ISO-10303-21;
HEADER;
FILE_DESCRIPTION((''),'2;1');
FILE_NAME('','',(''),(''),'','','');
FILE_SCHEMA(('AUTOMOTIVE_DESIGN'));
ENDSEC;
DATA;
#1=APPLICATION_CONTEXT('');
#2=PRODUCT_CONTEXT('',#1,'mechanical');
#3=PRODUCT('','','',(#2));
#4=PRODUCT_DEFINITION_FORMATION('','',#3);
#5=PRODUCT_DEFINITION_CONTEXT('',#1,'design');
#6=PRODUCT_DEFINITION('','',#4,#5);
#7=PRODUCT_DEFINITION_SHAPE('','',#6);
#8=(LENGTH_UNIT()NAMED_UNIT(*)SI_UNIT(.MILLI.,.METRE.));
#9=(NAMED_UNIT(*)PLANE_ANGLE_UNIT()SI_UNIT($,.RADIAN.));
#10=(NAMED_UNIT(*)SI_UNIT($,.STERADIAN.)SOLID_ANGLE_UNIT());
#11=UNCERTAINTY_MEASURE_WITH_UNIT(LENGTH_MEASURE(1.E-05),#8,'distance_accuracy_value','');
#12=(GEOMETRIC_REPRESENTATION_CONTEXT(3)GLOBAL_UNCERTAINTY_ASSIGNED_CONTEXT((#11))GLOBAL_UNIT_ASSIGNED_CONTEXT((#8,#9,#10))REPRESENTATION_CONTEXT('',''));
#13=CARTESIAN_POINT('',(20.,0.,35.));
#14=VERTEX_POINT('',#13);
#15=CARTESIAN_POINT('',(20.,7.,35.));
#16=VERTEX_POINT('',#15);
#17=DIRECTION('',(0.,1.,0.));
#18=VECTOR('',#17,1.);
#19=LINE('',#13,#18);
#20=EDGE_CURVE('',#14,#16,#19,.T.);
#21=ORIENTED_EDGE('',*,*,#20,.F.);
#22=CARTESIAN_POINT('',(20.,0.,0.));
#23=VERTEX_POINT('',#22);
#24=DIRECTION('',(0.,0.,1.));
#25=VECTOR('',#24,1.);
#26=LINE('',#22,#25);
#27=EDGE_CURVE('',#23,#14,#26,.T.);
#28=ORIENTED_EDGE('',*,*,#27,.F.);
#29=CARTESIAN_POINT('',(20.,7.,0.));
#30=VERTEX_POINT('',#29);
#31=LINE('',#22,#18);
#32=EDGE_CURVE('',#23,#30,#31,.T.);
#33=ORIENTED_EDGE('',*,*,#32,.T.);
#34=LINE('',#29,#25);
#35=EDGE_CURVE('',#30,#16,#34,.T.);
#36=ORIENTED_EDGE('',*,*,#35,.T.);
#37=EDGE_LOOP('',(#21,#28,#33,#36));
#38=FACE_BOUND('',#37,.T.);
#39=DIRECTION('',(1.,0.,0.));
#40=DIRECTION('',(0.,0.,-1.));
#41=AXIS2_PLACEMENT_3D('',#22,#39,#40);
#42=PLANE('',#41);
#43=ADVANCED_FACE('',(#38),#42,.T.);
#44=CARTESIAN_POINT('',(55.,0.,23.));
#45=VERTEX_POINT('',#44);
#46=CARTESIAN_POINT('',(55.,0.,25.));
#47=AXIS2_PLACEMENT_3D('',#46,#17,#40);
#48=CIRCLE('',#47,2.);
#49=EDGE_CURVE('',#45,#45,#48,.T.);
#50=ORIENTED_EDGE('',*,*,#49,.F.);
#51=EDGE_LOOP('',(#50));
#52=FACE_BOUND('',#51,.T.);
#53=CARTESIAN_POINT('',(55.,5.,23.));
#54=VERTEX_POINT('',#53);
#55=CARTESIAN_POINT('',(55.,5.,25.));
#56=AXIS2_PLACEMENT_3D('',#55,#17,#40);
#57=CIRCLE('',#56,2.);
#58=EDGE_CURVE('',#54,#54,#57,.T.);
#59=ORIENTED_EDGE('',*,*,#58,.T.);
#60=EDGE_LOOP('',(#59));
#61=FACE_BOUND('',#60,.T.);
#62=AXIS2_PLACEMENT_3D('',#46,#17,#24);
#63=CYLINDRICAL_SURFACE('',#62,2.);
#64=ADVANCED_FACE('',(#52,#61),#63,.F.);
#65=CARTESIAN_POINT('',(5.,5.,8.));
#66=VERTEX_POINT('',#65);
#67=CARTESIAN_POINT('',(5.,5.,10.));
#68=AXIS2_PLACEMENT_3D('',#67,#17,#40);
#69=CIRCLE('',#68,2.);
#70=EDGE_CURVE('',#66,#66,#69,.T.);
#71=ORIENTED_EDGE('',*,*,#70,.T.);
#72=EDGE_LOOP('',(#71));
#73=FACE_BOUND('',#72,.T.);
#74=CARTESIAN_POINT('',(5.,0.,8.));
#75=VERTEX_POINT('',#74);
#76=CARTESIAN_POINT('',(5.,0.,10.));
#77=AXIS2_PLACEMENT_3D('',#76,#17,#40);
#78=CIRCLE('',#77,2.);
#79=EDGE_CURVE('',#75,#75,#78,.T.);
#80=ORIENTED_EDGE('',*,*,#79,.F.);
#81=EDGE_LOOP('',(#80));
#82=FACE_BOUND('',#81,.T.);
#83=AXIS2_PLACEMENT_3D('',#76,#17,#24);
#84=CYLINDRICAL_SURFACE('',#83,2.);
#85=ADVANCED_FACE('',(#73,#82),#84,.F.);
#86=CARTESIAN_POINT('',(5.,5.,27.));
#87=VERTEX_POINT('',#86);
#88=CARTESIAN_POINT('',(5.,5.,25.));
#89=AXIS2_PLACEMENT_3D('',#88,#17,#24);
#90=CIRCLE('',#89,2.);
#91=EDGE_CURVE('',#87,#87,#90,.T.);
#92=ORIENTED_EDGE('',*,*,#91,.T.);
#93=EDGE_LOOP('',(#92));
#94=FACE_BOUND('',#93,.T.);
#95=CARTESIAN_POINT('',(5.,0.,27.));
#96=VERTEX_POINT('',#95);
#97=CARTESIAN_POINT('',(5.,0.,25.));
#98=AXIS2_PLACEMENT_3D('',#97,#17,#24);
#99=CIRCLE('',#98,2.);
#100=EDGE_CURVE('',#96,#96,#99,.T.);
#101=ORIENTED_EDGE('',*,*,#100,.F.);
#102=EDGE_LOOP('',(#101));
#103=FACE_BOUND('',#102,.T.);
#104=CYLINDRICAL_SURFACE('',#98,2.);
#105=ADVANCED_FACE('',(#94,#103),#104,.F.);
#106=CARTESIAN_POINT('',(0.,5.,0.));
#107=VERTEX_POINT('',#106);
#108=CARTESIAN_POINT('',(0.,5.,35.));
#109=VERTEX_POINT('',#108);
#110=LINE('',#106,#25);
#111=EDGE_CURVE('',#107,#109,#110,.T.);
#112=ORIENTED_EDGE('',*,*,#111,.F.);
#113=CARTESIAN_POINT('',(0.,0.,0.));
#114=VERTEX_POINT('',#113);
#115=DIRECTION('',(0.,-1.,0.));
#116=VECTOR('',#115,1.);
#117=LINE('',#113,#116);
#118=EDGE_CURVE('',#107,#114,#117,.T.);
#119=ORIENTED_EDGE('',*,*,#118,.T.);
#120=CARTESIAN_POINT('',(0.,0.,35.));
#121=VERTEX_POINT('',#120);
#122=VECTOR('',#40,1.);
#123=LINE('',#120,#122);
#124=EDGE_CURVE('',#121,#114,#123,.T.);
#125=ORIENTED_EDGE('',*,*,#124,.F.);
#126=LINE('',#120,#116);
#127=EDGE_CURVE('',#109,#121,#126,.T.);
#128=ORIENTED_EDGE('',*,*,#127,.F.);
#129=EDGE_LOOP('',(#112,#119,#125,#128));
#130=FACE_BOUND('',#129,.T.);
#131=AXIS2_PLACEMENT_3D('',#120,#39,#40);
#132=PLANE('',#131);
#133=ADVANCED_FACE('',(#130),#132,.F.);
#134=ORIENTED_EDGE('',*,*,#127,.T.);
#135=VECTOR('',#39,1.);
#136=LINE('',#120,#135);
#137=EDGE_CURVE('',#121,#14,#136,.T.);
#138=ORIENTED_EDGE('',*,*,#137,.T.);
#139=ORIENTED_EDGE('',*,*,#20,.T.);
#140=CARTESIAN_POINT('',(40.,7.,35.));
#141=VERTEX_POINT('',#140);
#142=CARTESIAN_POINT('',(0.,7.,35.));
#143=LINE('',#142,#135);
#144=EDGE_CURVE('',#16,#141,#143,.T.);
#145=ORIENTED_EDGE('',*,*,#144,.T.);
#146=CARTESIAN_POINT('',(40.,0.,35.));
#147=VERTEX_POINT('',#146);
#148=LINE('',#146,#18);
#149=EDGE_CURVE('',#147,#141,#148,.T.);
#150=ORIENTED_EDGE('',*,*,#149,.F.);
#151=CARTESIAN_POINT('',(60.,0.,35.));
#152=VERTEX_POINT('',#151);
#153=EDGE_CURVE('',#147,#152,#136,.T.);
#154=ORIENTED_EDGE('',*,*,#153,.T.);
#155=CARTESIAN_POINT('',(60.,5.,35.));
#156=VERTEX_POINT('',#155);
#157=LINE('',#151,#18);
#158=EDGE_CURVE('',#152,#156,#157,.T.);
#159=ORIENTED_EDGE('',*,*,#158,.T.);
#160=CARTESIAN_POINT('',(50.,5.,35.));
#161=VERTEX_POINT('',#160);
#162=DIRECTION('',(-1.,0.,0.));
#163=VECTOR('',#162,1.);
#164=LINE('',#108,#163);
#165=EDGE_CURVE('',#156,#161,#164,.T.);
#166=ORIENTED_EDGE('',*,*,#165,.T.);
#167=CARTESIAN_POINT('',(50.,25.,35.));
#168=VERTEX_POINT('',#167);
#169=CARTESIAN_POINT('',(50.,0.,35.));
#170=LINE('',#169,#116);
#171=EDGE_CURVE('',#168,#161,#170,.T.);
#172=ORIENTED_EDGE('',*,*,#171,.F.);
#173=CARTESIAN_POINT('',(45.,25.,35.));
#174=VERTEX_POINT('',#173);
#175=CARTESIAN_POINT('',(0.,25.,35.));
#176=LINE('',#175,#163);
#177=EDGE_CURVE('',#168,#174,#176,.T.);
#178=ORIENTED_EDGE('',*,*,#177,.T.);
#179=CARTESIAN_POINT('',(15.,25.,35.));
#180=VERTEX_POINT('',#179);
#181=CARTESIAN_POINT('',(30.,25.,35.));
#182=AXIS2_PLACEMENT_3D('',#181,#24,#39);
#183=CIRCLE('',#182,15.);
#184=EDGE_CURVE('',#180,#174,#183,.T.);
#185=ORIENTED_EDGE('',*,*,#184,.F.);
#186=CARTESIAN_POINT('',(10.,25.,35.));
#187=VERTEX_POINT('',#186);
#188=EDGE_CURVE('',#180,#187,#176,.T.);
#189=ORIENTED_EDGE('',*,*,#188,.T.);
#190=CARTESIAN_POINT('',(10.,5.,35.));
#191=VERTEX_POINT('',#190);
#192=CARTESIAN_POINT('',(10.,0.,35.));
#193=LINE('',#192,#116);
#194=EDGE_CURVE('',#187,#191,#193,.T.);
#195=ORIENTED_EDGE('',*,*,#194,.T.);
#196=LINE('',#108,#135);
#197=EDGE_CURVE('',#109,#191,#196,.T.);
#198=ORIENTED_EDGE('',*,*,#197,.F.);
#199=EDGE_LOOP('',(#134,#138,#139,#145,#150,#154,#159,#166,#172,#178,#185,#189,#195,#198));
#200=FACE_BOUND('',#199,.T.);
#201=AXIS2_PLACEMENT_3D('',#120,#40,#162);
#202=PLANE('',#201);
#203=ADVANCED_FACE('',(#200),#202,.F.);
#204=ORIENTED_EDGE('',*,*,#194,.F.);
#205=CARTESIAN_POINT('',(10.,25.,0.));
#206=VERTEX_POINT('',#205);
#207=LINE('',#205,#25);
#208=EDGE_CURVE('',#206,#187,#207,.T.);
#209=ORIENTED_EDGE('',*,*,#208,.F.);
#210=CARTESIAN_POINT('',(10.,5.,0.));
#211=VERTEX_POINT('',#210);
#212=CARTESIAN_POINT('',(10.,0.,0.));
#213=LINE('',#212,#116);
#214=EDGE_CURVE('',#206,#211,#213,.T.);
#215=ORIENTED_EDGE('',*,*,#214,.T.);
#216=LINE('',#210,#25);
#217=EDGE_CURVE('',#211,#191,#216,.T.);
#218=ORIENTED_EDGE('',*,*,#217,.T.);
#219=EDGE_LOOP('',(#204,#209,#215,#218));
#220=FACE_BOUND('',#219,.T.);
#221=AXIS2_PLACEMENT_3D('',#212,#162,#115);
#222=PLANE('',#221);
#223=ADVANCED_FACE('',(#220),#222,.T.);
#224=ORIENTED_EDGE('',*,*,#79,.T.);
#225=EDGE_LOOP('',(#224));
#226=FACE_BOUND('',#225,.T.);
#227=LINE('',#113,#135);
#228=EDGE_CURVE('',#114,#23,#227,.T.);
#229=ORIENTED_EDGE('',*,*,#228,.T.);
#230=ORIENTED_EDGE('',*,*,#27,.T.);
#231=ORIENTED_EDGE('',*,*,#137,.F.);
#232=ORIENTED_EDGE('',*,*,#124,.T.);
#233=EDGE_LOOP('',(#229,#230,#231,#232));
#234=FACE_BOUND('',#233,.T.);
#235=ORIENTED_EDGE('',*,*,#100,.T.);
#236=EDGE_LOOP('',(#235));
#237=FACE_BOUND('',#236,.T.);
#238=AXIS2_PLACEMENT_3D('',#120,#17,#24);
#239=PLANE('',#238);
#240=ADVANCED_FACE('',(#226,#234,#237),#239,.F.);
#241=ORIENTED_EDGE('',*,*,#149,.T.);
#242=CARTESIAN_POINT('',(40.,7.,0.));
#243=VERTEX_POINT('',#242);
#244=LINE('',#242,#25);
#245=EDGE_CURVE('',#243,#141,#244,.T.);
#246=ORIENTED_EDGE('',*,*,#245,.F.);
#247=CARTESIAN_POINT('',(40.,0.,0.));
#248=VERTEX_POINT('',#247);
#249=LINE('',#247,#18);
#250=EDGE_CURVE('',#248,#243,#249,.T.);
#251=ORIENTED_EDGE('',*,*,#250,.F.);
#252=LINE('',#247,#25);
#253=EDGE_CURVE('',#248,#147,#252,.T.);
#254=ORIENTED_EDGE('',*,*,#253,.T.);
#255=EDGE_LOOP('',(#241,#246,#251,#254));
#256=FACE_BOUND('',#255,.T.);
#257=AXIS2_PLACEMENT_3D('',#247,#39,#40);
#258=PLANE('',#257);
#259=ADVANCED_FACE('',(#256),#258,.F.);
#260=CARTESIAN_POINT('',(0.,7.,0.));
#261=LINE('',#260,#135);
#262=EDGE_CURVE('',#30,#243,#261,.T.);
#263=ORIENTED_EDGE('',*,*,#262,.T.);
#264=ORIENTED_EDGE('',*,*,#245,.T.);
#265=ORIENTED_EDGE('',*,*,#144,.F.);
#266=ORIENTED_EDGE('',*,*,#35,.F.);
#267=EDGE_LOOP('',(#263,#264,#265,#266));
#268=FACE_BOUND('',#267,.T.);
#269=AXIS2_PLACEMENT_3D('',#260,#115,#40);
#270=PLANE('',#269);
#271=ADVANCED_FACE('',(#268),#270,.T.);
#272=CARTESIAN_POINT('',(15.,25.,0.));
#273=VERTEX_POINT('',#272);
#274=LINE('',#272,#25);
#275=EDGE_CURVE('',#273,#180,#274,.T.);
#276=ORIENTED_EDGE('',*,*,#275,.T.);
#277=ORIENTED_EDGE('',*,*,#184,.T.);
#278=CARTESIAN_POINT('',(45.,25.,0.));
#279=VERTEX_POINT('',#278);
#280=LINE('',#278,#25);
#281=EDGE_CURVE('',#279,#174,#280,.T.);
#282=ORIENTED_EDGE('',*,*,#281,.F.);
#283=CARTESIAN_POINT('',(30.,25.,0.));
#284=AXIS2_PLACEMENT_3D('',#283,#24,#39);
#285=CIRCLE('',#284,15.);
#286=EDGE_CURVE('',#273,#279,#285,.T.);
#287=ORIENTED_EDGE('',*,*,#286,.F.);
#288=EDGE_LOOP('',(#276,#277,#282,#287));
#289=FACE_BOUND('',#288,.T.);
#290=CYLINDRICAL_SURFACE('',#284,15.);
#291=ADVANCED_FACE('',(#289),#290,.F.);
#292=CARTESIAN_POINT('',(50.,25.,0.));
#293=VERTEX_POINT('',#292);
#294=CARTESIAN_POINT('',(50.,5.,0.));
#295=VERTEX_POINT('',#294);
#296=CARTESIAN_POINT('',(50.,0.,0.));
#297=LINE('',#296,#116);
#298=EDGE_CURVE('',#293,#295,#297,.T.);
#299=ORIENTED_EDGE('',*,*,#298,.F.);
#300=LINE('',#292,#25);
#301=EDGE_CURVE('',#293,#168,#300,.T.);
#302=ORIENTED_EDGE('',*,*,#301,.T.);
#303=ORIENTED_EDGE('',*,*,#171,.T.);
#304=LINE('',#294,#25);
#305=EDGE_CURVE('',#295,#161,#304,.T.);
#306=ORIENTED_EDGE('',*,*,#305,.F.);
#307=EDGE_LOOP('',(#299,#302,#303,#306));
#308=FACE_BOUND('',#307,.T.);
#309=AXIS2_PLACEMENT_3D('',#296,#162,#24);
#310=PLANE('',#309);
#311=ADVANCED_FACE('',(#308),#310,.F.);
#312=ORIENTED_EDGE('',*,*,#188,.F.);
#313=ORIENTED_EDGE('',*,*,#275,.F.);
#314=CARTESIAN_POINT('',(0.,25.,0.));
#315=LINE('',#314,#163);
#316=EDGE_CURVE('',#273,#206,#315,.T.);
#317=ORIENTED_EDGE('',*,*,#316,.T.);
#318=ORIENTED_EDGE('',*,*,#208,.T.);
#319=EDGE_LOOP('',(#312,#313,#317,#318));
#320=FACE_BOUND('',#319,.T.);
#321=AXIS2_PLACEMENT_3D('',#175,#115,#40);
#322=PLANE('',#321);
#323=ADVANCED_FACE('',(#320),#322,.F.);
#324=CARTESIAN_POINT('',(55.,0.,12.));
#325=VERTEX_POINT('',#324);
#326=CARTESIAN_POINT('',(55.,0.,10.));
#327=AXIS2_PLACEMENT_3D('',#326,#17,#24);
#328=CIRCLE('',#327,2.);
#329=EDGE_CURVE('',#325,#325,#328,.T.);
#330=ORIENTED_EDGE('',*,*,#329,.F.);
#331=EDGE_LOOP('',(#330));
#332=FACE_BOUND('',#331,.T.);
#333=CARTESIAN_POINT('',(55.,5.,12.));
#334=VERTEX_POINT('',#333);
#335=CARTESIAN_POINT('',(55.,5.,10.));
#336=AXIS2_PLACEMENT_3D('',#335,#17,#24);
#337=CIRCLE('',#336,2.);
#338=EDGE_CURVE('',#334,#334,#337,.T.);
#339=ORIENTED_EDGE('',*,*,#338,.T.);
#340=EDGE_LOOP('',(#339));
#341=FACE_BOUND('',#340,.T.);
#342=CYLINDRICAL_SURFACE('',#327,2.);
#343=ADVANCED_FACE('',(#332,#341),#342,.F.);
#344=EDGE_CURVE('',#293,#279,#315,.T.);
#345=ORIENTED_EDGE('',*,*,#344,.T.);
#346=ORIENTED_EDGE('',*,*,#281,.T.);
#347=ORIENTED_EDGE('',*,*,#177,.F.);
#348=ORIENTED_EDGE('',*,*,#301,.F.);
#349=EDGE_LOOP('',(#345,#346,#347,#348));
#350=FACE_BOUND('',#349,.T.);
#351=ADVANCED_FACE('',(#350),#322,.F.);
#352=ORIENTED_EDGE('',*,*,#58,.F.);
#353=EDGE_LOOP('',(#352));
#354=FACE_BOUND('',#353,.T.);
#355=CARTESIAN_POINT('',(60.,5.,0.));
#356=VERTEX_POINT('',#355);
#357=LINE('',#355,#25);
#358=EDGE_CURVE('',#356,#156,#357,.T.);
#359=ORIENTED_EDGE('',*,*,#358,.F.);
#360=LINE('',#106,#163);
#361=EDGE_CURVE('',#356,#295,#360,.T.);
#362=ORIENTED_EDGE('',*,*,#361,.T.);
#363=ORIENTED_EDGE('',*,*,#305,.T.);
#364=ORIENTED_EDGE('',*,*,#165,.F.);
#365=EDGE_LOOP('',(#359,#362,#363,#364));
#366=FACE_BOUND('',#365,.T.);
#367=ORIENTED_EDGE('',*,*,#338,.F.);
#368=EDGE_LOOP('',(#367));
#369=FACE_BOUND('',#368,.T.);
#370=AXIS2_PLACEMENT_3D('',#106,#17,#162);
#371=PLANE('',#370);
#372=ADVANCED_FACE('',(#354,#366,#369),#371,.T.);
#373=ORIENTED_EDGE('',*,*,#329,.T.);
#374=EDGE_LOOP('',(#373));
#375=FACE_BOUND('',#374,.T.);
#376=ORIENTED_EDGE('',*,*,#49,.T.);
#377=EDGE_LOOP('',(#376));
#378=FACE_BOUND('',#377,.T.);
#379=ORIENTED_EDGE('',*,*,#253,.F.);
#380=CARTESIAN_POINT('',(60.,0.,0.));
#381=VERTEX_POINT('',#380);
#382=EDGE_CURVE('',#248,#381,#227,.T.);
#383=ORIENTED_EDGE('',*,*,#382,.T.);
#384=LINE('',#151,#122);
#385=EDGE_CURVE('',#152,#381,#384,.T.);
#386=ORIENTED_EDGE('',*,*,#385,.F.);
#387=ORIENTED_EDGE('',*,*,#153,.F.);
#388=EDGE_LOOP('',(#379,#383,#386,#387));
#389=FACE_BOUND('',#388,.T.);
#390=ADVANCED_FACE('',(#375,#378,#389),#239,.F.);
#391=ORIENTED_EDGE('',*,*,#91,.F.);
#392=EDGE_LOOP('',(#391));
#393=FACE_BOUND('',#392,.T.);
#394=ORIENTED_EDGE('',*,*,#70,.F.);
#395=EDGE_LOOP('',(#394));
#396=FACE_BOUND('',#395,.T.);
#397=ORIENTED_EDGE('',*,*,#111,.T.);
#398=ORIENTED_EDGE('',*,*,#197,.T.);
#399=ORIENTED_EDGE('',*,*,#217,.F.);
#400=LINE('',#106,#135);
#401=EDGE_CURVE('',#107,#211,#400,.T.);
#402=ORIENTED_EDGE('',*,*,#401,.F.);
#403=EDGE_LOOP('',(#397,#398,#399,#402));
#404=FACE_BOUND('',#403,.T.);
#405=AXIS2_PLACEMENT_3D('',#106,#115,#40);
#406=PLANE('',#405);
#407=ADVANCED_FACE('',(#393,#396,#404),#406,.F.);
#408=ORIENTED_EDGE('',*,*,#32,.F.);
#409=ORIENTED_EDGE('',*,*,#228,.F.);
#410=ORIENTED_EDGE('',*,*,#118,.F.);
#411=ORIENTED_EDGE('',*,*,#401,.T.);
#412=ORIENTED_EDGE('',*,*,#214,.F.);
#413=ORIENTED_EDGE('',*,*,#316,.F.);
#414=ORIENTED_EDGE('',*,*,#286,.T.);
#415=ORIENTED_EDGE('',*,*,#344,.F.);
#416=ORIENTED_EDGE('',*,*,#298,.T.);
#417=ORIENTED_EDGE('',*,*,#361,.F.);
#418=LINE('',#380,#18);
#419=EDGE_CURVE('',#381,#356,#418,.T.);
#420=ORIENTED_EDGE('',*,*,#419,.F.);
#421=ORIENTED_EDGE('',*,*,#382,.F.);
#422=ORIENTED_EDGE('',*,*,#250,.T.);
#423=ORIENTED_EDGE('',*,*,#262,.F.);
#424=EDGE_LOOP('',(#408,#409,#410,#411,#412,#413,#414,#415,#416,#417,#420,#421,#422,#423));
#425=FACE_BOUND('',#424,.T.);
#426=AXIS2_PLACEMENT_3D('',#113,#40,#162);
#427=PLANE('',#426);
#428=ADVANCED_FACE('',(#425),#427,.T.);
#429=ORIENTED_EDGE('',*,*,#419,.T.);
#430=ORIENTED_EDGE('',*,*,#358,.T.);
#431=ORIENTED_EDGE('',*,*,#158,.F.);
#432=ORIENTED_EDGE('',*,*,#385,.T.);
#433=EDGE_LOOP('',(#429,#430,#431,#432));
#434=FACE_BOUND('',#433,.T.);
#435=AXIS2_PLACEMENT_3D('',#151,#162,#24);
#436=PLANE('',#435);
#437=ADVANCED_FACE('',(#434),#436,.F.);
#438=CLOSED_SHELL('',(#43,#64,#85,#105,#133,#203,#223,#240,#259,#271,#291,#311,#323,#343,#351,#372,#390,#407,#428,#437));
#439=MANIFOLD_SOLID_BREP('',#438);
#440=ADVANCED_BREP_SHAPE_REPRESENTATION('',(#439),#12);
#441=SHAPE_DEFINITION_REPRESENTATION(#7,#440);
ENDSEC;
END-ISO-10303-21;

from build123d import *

# Parameters (mm, degrees)
IZIM1_W                     = 60
IZIM1_H                     = 25
Y_KSEKLIK_EKSTR_ZYON1_DEPTH = 35
IZIM2_W                     = 10
IZIM2_H                     = 20
IZIM2_W_2                   = 20
IZIM2_H_2                   = 7
KES_EKSTR_ZYON2_DEPTH       = 36
IZIM3_R                     = 2
KES_EKSTR_ZYON3_DEPTH       = 6


with BuildPart() as part:
    # Çizim1 → Yükseklik-Ekstrüzyon1 (new body)
    with BuildSketch(Plane.XY):
        with Locations((30, 12.5)):
            Rectangle(IZIM1_W, IZIM1_H)
    extrude(amount=Y_KSEKLIK_EKSTR_ZYON1_DEPTH)

    # Çizim2 → Kes-Ekstrüzyon2 (cut, through all)
    with BuildSketch(Plane.XY.offset(35)):
        with Locations((55, 15)):
            Rectangle(IZIM2_W, IZIM2_H)
        with BuildLine():
            Line((45, 25), (15, 25))
            ThreePointArc((15, 25), (30, 10), (45, 25))
        make_face()
        with Locations((5, 15)):
            Rectangle(IZIM2_W, IZIM2_H)
        with Locations((30, 3.5)):
            Rectangle(IZIM2_W_2, IZIM2_H_2)
    extrude(amount=-KES_EKSTR_ZYON2_DEPTH, mode=Mode.SUBTRACT)

    # Çizim3 → Kes-Ekstrüzyon3 (cut, through all)
    with BuildSketch(Plane(origin=(0, 5, 0), x_dir=(1, 0, 0), z_dir=(0, 1, 0))):
        with Locations((5, -25)):
            Circle(IZIM3_R)
        with Locations((5, -10)):
            Circle(IZIM3_R)
        with Locations((55, -10)):
            Circle(IZIM3_R)
        with Locations((55, -25)):
            Circle(IZIM3_R)
    extrude(amount=-KES_EKSTR_ZYON3_DEPTH, mode=Mode.SUBTRACT)


solid = part.part
